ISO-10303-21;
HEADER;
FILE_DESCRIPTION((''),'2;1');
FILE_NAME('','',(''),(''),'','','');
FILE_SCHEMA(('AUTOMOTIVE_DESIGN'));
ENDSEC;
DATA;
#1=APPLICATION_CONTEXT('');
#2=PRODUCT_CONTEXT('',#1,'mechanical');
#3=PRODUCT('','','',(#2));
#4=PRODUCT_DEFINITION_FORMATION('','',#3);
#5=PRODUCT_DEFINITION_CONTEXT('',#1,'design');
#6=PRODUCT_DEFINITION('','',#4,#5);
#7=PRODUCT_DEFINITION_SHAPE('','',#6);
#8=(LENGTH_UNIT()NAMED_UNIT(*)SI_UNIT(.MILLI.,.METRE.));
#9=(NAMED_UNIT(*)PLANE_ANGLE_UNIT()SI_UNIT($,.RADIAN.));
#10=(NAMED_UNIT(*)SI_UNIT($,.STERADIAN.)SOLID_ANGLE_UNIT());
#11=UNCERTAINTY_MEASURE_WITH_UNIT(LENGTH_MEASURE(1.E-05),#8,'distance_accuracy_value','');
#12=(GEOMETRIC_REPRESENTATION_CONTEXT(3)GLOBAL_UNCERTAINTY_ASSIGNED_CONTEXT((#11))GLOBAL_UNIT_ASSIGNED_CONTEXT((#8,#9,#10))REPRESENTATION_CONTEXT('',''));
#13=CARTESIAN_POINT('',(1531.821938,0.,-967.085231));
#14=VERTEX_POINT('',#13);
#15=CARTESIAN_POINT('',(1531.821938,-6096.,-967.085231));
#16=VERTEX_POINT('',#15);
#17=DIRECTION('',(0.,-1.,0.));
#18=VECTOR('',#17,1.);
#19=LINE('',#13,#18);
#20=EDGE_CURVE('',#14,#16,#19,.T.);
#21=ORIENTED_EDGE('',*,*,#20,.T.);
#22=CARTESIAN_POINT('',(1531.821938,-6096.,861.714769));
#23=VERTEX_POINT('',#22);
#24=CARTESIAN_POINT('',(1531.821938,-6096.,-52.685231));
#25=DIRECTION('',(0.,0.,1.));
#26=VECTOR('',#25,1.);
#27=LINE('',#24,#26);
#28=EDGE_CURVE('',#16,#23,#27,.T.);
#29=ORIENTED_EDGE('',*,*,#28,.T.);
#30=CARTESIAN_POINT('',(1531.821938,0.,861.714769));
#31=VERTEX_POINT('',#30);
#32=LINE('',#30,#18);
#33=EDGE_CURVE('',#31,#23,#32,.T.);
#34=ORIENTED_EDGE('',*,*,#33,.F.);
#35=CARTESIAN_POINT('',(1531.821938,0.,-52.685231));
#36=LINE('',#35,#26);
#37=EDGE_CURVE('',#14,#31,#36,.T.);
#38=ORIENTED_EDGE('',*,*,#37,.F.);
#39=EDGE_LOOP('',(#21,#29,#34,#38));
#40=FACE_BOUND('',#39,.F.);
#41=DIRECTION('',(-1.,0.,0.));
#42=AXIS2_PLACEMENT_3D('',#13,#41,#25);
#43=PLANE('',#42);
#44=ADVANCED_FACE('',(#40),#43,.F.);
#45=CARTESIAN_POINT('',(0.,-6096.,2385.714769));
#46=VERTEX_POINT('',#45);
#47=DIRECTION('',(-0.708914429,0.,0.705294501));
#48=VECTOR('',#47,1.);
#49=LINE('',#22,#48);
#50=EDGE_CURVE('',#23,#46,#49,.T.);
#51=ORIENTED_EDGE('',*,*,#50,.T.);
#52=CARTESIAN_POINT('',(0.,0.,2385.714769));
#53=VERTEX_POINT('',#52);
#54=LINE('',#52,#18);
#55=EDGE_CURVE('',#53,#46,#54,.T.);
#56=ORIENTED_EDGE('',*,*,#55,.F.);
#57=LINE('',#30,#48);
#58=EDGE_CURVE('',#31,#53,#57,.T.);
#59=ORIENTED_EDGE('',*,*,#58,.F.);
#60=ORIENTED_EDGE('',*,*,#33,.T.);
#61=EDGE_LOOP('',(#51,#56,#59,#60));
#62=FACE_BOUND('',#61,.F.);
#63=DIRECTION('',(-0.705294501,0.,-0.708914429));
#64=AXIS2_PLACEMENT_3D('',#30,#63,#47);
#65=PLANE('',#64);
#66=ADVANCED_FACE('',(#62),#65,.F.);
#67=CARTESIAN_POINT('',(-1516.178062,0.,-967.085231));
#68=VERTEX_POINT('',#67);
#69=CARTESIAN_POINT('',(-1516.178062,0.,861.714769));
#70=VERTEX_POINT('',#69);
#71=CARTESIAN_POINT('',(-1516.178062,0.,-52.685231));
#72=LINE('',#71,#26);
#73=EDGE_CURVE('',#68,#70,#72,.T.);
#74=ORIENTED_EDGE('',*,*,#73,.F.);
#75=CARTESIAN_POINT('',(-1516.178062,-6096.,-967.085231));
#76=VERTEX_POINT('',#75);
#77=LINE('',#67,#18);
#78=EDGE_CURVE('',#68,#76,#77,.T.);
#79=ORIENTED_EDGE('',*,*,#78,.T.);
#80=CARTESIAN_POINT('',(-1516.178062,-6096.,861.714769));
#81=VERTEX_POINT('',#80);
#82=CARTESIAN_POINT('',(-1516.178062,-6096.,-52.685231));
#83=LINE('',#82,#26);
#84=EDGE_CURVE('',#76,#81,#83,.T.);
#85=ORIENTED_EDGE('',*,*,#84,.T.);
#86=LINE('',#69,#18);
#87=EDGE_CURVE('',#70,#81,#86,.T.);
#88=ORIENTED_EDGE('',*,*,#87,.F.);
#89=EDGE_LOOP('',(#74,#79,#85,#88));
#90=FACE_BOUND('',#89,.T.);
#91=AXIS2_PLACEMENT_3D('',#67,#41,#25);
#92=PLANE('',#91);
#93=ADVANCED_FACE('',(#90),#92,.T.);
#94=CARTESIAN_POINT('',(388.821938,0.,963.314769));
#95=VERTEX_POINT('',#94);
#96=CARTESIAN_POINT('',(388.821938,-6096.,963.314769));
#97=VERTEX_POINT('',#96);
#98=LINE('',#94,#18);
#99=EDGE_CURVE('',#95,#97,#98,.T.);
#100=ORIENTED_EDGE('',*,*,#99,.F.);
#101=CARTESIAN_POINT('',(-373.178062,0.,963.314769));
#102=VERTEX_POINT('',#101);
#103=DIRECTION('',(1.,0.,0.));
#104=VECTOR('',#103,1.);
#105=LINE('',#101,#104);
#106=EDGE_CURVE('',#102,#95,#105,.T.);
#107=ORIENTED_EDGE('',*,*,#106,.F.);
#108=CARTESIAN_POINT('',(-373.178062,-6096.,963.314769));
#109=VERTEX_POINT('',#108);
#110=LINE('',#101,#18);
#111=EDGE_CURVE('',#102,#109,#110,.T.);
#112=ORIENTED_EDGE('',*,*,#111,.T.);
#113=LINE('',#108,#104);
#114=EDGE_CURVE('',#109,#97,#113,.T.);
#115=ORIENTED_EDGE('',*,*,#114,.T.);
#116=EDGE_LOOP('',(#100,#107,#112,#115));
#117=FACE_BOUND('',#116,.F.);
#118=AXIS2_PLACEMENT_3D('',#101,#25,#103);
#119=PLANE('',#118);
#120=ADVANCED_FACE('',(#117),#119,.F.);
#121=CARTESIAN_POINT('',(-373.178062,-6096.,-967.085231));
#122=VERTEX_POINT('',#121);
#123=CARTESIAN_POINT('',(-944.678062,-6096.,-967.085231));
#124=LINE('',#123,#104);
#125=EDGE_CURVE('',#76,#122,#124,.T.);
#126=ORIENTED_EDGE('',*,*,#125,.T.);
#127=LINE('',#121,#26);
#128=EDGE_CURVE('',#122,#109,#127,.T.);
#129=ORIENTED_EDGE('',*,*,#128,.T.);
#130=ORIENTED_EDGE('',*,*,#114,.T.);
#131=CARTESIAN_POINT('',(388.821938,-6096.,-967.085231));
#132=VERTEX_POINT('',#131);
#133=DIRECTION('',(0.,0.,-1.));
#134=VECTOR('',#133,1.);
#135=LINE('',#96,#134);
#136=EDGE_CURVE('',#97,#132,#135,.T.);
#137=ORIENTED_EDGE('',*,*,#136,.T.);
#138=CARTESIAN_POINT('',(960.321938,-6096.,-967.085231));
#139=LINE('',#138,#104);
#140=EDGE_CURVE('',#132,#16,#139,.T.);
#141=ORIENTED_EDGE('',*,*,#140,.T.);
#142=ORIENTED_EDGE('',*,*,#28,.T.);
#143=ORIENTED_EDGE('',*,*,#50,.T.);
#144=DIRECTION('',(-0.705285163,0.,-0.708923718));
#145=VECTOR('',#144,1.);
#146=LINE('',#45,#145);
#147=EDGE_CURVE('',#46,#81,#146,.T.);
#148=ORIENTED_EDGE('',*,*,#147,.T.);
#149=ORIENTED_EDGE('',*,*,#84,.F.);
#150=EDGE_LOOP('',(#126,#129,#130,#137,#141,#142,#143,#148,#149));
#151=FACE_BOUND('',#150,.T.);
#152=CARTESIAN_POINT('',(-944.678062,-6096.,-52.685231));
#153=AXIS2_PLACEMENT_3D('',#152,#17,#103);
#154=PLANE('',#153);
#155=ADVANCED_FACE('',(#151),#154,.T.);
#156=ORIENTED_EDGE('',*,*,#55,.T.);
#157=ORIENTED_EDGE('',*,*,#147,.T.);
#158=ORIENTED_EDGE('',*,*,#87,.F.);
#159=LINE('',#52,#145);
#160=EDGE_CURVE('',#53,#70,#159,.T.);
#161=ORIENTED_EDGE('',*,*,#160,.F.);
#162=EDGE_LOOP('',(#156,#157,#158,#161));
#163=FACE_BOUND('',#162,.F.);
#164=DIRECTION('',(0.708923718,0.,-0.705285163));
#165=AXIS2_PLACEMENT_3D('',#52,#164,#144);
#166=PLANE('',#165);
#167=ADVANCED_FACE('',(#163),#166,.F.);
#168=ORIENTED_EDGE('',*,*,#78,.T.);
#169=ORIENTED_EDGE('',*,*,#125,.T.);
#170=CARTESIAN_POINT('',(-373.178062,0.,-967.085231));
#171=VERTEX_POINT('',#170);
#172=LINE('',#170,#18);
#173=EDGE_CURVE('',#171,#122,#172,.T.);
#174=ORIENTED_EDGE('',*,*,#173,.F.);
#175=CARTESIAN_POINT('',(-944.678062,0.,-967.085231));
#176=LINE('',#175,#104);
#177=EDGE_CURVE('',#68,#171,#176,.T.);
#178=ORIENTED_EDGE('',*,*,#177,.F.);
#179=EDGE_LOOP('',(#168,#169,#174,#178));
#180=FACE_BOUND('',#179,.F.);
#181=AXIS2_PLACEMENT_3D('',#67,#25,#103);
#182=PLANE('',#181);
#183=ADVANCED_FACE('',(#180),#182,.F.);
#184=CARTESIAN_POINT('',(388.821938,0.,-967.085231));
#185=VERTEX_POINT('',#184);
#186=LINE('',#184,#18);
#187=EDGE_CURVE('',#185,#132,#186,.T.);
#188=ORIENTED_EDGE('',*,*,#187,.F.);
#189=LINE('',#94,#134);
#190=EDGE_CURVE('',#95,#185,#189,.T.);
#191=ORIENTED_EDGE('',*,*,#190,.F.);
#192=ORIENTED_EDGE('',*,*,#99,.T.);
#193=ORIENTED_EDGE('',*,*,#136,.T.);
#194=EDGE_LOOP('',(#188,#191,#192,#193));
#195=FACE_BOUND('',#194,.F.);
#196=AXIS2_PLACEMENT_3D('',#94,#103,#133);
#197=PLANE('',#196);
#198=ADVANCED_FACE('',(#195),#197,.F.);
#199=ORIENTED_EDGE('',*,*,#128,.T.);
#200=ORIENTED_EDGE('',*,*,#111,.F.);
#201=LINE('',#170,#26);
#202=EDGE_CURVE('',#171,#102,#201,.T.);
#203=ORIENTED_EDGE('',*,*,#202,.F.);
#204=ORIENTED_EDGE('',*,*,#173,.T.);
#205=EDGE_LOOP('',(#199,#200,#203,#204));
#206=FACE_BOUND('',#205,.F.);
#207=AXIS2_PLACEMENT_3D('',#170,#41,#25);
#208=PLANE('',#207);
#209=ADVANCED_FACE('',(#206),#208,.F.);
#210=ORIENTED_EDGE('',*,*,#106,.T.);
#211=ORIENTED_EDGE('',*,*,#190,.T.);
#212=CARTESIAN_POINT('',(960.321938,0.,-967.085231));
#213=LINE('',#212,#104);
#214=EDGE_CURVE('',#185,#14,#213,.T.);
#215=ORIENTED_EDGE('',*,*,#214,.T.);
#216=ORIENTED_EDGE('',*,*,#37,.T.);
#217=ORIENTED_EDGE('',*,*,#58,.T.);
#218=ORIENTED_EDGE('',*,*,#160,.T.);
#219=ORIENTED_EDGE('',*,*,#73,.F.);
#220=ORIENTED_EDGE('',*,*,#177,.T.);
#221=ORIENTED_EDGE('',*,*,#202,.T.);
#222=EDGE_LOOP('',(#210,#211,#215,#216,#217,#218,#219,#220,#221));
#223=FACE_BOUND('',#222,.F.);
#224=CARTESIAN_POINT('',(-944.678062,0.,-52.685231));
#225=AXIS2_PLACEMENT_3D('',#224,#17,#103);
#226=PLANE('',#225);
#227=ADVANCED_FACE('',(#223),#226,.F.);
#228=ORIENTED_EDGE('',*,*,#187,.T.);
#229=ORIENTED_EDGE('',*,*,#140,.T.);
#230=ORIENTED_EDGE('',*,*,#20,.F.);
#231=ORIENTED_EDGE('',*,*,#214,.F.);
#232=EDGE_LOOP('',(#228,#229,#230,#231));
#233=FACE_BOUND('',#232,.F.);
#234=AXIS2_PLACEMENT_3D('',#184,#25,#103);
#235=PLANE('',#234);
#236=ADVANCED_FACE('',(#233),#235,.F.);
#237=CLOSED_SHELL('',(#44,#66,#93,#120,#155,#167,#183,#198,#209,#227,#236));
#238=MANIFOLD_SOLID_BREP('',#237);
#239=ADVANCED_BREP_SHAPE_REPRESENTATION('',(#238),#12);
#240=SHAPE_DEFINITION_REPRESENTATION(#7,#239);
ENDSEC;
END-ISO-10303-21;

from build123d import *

# Parameters (mm, degrees)
F0_W     = 1143
F0_H     = 1828.8
F1_DEPTH = 6096


with BuildPart() as f1:
    # F0 (on Front) → F1 (new body)
    with BuildSketch(Plane.XZ):
        with Locations((-944.678062, -52.685231)):
            Rectangle(F0_W, F0_H)
        with Locations((960.321938, -52.685231)):
            Rectangle(F0_W, F0_H)
        Polygon((0, 2385.714769), (-1516.178062, 861.714769), (-373.178062, 861.714769), (-373.178062, 963.314769), (0, 963.314769), align=None)
        Polygon((1531.821938, 861.714769), (0, 2385.714769), (0, 963.314769), (7.821938, 963.314769), (388.821938, 963.314769), (388.821938, 861.714769), align=None)
    extrude(amount=F1_DEPTH)


solid = f1.part
